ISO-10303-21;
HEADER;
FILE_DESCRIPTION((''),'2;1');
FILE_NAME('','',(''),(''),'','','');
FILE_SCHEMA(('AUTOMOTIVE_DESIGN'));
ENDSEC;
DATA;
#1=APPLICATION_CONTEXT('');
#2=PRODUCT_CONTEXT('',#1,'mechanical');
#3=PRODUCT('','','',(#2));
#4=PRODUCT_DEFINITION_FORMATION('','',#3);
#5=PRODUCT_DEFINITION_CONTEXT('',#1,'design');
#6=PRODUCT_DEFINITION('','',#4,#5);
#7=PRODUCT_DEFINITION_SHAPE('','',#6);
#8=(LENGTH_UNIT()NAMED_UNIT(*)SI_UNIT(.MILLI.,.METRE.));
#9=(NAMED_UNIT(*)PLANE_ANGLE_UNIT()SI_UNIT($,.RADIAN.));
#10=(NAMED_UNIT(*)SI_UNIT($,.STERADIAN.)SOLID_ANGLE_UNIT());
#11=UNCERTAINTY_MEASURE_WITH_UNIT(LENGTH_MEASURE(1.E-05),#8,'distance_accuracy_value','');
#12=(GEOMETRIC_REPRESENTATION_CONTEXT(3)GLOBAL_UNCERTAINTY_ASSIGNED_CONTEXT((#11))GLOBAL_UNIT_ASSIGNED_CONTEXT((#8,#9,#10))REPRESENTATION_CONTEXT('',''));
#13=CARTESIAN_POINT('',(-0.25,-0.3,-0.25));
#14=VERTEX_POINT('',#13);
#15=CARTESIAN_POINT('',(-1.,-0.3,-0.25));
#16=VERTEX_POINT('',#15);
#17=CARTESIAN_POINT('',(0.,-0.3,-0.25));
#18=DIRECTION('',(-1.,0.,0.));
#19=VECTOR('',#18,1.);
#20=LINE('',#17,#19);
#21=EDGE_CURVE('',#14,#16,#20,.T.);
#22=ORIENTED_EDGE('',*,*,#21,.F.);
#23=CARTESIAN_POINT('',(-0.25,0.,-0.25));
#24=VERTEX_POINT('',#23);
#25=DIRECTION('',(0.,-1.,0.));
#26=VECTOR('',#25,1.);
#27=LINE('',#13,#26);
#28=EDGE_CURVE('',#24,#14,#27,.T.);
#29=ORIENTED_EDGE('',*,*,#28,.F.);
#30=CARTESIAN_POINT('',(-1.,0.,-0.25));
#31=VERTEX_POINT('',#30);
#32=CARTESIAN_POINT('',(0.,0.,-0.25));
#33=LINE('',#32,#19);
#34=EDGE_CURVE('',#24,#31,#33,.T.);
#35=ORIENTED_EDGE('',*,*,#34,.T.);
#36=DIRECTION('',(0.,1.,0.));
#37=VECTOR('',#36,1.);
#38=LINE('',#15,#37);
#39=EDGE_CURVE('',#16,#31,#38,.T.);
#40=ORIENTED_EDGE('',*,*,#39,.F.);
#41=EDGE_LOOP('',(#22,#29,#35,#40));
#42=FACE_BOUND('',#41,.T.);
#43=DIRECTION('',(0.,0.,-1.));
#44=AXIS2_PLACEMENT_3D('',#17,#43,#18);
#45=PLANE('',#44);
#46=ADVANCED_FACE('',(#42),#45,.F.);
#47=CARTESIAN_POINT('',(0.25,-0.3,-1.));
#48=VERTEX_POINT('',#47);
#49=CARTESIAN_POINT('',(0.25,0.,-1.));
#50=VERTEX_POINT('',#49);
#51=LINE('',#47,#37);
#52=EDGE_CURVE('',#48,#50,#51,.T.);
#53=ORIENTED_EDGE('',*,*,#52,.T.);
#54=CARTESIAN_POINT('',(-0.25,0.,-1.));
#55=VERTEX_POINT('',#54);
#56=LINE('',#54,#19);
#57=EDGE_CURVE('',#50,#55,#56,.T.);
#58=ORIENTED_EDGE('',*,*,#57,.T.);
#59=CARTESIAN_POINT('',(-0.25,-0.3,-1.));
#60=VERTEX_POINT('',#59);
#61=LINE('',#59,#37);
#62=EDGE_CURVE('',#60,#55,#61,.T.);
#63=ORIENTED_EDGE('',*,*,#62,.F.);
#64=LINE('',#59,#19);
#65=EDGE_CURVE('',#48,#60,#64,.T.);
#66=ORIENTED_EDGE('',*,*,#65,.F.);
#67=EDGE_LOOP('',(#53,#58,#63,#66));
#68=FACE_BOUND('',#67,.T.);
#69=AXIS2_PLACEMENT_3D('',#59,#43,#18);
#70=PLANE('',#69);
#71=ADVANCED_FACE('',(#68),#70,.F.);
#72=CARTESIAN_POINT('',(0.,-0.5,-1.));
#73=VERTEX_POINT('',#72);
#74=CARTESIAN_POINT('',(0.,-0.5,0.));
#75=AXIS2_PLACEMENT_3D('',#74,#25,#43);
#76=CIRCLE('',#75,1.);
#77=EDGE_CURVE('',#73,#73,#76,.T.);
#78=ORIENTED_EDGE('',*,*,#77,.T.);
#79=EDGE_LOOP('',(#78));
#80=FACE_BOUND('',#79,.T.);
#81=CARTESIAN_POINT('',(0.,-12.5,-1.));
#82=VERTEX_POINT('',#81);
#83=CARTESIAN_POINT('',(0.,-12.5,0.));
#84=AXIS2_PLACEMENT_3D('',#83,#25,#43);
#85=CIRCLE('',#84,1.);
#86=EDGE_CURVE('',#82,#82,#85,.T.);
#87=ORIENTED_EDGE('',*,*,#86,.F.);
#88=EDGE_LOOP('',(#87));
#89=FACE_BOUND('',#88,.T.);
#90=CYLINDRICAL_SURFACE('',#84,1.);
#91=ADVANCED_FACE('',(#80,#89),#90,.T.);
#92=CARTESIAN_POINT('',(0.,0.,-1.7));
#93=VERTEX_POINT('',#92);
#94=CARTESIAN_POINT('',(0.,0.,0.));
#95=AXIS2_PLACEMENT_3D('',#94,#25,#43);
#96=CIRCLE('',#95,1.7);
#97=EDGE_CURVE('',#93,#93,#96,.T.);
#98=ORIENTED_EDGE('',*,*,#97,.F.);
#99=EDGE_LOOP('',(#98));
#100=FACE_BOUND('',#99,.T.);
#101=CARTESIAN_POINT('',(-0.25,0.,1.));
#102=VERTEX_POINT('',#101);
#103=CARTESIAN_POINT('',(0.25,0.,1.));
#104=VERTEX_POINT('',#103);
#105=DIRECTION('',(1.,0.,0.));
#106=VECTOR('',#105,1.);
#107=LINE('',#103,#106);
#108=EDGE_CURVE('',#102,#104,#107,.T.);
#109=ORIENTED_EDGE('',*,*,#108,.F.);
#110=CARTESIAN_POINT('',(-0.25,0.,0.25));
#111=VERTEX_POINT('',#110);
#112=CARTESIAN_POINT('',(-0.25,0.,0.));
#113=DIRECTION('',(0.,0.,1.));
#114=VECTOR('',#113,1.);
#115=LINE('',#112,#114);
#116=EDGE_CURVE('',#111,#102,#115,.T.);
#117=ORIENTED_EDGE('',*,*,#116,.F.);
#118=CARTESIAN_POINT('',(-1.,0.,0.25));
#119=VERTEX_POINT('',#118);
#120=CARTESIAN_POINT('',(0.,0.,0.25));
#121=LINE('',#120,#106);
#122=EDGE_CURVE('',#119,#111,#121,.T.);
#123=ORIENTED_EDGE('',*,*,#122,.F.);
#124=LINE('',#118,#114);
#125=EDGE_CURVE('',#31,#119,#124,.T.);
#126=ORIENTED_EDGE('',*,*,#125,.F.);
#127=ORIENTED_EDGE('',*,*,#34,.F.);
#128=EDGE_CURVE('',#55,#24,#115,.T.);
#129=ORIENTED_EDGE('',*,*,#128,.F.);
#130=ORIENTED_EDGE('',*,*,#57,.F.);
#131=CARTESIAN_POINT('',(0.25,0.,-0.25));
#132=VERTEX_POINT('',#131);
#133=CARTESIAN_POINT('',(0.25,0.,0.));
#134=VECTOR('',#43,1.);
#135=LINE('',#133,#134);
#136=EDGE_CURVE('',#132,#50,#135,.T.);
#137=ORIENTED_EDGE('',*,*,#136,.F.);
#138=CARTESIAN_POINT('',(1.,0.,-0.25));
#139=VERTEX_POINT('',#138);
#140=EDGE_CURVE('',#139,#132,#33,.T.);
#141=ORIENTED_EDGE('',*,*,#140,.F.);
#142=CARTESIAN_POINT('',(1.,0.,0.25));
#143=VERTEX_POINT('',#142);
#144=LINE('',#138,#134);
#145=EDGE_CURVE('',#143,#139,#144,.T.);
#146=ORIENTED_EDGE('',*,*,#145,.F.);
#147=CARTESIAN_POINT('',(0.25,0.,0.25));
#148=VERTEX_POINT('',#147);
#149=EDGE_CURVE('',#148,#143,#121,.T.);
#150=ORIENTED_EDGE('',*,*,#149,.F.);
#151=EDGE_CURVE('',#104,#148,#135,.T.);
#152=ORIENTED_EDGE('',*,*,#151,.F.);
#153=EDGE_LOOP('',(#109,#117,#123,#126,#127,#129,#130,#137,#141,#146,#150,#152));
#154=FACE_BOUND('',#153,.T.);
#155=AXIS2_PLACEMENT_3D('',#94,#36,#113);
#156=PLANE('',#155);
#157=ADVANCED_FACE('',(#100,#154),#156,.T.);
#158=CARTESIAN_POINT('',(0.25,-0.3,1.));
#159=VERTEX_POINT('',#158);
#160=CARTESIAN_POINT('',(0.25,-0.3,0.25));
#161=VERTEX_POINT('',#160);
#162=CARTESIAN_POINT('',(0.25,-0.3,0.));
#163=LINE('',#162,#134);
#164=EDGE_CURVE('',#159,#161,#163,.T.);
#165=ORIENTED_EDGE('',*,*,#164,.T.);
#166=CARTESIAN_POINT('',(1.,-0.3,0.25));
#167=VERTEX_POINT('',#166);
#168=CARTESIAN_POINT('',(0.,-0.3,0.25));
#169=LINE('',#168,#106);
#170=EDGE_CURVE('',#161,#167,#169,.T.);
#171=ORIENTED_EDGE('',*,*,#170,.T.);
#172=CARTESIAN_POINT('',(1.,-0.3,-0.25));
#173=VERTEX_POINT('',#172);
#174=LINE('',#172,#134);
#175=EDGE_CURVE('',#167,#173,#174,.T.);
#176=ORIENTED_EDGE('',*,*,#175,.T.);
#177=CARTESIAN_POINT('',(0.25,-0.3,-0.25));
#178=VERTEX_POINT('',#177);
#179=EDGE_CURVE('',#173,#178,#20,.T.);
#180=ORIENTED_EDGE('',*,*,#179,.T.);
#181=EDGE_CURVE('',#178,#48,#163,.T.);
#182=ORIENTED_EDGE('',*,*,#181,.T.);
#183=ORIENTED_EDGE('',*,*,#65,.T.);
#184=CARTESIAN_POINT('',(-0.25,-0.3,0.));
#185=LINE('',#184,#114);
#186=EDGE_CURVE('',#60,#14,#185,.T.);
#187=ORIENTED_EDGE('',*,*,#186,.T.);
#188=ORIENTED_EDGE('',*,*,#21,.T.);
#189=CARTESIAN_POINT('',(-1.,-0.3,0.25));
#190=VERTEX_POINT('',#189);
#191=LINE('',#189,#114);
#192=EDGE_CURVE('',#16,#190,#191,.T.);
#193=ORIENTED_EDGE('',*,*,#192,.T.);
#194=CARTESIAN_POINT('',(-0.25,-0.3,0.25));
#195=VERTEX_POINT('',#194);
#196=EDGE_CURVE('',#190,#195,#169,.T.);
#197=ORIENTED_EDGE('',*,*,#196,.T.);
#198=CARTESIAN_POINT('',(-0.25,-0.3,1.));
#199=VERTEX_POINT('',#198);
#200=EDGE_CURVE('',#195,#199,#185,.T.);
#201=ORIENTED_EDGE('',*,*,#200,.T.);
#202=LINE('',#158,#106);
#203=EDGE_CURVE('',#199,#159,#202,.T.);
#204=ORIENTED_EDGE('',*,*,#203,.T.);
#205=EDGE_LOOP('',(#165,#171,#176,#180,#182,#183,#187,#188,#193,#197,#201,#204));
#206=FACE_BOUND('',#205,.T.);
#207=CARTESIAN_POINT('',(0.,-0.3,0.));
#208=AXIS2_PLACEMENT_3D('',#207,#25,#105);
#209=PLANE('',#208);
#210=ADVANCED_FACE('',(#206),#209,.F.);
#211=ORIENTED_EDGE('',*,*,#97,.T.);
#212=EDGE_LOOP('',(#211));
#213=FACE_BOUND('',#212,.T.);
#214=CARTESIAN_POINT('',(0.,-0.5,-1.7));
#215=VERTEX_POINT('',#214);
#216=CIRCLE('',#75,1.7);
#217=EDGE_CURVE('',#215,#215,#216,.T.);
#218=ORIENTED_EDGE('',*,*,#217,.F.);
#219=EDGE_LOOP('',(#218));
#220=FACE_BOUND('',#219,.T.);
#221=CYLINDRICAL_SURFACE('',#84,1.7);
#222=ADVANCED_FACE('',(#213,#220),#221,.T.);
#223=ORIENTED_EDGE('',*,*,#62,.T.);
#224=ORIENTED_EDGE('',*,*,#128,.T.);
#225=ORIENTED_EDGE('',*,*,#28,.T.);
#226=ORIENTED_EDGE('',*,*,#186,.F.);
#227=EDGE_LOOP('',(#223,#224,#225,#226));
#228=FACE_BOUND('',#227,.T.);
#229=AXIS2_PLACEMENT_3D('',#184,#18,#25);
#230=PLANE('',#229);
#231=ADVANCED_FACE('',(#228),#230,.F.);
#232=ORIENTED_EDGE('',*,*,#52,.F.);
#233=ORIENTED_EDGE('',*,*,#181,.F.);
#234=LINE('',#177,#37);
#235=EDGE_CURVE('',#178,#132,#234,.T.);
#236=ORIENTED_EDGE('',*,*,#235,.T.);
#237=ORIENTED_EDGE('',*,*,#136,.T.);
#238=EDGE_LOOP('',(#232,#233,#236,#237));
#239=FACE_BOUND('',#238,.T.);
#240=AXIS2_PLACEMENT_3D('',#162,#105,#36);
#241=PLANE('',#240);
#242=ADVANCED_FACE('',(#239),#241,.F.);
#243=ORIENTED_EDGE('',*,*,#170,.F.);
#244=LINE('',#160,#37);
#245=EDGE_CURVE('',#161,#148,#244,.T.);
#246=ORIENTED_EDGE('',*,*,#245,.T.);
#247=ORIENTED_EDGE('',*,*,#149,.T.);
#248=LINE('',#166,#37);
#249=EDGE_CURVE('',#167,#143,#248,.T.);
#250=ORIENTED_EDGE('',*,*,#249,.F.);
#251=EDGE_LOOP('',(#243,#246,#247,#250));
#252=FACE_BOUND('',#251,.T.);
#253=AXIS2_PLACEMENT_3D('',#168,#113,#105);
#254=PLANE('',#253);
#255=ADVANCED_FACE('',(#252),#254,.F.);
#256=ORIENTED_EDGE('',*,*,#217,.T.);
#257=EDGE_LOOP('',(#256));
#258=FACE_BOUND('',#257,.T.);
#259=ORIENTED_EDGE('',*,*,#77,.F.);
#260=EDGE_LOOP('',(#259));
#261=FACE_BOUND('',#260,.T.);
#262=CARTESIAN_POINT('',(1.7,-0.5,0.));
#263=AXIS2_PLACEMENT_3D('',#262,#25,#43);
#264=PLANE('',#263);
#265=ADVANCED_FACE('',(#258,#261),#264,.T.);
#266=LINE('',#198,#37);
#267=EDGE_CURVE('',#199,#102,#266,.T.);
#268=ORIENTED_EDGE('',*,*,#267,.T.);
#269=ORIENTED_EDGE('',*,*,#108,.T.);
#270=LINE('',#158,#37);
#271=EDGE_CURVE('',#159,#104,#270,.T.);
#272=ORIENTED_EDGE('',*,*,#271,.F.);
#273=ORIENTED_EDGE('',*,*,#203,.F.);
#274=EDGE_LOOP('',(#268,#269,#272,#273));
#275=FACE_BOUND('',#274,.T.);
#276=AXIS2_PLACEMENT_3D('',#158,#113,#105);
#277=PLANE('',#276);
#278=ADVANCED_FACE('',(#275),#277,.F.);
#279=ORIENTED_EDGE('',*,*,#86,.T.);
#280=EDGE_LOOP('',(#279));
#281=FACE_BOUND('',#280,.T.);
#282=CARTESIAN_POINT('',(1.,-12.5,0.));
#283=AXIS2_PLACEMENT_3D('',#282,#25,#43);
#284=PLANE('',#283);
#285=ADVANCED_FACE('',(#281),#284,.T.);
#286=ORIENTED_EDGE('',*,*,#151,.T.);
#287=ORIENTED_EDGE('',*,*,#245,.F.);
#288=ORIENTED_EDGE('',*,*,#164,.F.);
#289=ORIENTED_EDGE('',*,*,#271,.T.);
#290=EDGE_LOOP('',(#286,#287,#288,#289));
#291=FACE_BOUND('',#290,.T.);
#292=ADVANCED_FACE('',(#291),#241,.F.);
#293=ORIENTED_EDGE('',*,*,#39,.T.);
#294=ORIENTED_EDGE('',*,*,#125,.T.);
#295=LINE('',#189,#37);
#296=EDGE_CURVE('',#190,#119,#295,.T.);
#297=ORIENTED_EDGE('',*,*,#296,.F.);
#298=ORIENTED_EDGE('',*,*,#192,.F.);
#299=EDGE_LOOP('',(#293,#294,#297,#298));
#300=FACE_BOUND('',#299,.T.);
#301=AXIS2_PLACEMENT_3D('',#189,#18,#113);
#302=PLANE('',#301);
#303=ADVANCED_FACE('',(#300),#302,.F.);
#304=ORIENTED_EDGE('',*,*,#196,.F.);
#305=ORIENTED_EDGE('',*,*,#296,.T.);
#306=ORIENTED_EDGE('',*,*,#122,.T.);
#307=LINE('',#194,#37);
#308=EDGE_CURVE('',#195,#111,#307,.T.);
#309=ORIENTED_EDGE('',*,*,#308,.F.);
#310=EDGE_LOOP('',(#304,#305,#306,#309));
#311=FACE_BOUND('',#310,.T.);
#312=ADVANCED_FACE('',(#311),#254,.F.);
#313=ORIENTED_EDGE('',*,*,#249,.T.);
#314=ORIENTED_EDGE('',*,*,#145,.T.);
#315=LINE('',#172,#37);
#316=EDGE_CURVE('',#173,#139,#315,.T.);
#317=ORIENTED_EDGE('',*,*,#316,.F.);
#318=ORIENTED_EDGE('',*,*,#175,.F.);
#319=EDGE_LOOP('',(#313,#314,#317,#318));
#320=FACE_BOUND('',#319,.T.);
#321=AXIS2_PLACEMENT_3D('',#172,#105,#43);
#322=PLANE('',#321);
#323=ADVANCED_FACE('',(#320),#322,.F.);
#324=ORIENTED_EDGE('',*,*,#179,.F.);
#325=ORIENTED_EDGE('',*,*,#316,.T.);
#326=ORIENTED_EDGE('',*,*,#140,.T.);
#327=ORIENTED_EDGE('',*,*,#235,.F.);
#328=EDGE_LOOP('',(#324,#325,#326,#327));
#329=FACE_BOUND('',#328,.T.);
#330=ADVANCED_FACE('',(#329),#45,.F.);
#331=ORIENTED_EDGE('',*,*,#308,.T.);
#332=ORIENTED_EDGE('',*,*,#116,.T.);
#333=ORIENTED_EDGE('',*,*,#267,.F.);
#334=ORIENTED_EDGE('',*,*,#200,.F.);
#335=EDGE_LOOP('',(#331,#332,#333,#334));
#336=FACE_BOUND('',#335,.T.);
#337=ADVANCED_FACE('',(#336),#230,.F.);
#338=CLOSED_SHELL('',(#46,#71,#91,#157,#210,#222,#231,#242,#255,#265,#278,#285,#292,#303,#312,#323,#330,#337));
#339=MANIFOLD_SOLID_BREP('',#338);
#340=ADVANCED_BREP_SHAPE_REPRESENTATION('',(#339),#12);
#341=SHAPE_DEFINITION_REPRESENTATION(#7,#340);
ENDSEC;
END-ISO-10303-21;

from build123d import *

# Parameters (mm, degrees)
SKETCH_2_W               = 0.5
SKETCH_2_H               = 1
CUT_EXTRUDE_1_DEPTH      = 0.3
PATTERN_CIRCULAR_1_COUNT = 4


with BuildPart() as part:
    # ｽｹｯﾁ1 → 回転1 (revolve)
    with BuildSketch(Plane.XY, mode=Mode.PRIVATE) as revolve_1_sk:
        Polygon((0, 0), (1.7, 0), (1.7, -0.5), (1, -0.5), (1, -12.5), (0, -12.5), align=None)
    revolve(revolve_1_sk.sketch.rotate(Axis((0, -12.5, 0), (0, 1, 0)), 90), axis=Axis((0, -12.5, 0), (0, 1, 0)))

    # ｽｹｯﾁ2 → ｶｯﾄ - 押し出し1 (cut)
    with BuildSketch(Plane(origin=(0, 0, 0), x_dir=(1, 0, 0), z_dir=(0, 1, 0))):
        with Locations((0, 0.5)):
            Rectangle(SKETCH_2_W, SKETCH_2_H)
    cut_extrude_1 = extrude(amount=-CUT_EXTRUDE_1_DEPTH, mode=Mode.SUBTRACT)

    # 円形ﾊﾟﾀｰﾝ1: ｶｯﾄ - 押し出し1 ×4 about axis
    pattern_circular_1_axis = Axis((0, 0, 0), (0, 1, 0))
    for i in range(1, PATTERN_CIRCULAR_1_COUNT):
        add(cut_extrude_1.rotate(pattern_circular_1_axis, i * 360 / PATTERN_CIRCULAR_1_COUNT), mode=Mode.SUBTRACT)


solid = part.part
